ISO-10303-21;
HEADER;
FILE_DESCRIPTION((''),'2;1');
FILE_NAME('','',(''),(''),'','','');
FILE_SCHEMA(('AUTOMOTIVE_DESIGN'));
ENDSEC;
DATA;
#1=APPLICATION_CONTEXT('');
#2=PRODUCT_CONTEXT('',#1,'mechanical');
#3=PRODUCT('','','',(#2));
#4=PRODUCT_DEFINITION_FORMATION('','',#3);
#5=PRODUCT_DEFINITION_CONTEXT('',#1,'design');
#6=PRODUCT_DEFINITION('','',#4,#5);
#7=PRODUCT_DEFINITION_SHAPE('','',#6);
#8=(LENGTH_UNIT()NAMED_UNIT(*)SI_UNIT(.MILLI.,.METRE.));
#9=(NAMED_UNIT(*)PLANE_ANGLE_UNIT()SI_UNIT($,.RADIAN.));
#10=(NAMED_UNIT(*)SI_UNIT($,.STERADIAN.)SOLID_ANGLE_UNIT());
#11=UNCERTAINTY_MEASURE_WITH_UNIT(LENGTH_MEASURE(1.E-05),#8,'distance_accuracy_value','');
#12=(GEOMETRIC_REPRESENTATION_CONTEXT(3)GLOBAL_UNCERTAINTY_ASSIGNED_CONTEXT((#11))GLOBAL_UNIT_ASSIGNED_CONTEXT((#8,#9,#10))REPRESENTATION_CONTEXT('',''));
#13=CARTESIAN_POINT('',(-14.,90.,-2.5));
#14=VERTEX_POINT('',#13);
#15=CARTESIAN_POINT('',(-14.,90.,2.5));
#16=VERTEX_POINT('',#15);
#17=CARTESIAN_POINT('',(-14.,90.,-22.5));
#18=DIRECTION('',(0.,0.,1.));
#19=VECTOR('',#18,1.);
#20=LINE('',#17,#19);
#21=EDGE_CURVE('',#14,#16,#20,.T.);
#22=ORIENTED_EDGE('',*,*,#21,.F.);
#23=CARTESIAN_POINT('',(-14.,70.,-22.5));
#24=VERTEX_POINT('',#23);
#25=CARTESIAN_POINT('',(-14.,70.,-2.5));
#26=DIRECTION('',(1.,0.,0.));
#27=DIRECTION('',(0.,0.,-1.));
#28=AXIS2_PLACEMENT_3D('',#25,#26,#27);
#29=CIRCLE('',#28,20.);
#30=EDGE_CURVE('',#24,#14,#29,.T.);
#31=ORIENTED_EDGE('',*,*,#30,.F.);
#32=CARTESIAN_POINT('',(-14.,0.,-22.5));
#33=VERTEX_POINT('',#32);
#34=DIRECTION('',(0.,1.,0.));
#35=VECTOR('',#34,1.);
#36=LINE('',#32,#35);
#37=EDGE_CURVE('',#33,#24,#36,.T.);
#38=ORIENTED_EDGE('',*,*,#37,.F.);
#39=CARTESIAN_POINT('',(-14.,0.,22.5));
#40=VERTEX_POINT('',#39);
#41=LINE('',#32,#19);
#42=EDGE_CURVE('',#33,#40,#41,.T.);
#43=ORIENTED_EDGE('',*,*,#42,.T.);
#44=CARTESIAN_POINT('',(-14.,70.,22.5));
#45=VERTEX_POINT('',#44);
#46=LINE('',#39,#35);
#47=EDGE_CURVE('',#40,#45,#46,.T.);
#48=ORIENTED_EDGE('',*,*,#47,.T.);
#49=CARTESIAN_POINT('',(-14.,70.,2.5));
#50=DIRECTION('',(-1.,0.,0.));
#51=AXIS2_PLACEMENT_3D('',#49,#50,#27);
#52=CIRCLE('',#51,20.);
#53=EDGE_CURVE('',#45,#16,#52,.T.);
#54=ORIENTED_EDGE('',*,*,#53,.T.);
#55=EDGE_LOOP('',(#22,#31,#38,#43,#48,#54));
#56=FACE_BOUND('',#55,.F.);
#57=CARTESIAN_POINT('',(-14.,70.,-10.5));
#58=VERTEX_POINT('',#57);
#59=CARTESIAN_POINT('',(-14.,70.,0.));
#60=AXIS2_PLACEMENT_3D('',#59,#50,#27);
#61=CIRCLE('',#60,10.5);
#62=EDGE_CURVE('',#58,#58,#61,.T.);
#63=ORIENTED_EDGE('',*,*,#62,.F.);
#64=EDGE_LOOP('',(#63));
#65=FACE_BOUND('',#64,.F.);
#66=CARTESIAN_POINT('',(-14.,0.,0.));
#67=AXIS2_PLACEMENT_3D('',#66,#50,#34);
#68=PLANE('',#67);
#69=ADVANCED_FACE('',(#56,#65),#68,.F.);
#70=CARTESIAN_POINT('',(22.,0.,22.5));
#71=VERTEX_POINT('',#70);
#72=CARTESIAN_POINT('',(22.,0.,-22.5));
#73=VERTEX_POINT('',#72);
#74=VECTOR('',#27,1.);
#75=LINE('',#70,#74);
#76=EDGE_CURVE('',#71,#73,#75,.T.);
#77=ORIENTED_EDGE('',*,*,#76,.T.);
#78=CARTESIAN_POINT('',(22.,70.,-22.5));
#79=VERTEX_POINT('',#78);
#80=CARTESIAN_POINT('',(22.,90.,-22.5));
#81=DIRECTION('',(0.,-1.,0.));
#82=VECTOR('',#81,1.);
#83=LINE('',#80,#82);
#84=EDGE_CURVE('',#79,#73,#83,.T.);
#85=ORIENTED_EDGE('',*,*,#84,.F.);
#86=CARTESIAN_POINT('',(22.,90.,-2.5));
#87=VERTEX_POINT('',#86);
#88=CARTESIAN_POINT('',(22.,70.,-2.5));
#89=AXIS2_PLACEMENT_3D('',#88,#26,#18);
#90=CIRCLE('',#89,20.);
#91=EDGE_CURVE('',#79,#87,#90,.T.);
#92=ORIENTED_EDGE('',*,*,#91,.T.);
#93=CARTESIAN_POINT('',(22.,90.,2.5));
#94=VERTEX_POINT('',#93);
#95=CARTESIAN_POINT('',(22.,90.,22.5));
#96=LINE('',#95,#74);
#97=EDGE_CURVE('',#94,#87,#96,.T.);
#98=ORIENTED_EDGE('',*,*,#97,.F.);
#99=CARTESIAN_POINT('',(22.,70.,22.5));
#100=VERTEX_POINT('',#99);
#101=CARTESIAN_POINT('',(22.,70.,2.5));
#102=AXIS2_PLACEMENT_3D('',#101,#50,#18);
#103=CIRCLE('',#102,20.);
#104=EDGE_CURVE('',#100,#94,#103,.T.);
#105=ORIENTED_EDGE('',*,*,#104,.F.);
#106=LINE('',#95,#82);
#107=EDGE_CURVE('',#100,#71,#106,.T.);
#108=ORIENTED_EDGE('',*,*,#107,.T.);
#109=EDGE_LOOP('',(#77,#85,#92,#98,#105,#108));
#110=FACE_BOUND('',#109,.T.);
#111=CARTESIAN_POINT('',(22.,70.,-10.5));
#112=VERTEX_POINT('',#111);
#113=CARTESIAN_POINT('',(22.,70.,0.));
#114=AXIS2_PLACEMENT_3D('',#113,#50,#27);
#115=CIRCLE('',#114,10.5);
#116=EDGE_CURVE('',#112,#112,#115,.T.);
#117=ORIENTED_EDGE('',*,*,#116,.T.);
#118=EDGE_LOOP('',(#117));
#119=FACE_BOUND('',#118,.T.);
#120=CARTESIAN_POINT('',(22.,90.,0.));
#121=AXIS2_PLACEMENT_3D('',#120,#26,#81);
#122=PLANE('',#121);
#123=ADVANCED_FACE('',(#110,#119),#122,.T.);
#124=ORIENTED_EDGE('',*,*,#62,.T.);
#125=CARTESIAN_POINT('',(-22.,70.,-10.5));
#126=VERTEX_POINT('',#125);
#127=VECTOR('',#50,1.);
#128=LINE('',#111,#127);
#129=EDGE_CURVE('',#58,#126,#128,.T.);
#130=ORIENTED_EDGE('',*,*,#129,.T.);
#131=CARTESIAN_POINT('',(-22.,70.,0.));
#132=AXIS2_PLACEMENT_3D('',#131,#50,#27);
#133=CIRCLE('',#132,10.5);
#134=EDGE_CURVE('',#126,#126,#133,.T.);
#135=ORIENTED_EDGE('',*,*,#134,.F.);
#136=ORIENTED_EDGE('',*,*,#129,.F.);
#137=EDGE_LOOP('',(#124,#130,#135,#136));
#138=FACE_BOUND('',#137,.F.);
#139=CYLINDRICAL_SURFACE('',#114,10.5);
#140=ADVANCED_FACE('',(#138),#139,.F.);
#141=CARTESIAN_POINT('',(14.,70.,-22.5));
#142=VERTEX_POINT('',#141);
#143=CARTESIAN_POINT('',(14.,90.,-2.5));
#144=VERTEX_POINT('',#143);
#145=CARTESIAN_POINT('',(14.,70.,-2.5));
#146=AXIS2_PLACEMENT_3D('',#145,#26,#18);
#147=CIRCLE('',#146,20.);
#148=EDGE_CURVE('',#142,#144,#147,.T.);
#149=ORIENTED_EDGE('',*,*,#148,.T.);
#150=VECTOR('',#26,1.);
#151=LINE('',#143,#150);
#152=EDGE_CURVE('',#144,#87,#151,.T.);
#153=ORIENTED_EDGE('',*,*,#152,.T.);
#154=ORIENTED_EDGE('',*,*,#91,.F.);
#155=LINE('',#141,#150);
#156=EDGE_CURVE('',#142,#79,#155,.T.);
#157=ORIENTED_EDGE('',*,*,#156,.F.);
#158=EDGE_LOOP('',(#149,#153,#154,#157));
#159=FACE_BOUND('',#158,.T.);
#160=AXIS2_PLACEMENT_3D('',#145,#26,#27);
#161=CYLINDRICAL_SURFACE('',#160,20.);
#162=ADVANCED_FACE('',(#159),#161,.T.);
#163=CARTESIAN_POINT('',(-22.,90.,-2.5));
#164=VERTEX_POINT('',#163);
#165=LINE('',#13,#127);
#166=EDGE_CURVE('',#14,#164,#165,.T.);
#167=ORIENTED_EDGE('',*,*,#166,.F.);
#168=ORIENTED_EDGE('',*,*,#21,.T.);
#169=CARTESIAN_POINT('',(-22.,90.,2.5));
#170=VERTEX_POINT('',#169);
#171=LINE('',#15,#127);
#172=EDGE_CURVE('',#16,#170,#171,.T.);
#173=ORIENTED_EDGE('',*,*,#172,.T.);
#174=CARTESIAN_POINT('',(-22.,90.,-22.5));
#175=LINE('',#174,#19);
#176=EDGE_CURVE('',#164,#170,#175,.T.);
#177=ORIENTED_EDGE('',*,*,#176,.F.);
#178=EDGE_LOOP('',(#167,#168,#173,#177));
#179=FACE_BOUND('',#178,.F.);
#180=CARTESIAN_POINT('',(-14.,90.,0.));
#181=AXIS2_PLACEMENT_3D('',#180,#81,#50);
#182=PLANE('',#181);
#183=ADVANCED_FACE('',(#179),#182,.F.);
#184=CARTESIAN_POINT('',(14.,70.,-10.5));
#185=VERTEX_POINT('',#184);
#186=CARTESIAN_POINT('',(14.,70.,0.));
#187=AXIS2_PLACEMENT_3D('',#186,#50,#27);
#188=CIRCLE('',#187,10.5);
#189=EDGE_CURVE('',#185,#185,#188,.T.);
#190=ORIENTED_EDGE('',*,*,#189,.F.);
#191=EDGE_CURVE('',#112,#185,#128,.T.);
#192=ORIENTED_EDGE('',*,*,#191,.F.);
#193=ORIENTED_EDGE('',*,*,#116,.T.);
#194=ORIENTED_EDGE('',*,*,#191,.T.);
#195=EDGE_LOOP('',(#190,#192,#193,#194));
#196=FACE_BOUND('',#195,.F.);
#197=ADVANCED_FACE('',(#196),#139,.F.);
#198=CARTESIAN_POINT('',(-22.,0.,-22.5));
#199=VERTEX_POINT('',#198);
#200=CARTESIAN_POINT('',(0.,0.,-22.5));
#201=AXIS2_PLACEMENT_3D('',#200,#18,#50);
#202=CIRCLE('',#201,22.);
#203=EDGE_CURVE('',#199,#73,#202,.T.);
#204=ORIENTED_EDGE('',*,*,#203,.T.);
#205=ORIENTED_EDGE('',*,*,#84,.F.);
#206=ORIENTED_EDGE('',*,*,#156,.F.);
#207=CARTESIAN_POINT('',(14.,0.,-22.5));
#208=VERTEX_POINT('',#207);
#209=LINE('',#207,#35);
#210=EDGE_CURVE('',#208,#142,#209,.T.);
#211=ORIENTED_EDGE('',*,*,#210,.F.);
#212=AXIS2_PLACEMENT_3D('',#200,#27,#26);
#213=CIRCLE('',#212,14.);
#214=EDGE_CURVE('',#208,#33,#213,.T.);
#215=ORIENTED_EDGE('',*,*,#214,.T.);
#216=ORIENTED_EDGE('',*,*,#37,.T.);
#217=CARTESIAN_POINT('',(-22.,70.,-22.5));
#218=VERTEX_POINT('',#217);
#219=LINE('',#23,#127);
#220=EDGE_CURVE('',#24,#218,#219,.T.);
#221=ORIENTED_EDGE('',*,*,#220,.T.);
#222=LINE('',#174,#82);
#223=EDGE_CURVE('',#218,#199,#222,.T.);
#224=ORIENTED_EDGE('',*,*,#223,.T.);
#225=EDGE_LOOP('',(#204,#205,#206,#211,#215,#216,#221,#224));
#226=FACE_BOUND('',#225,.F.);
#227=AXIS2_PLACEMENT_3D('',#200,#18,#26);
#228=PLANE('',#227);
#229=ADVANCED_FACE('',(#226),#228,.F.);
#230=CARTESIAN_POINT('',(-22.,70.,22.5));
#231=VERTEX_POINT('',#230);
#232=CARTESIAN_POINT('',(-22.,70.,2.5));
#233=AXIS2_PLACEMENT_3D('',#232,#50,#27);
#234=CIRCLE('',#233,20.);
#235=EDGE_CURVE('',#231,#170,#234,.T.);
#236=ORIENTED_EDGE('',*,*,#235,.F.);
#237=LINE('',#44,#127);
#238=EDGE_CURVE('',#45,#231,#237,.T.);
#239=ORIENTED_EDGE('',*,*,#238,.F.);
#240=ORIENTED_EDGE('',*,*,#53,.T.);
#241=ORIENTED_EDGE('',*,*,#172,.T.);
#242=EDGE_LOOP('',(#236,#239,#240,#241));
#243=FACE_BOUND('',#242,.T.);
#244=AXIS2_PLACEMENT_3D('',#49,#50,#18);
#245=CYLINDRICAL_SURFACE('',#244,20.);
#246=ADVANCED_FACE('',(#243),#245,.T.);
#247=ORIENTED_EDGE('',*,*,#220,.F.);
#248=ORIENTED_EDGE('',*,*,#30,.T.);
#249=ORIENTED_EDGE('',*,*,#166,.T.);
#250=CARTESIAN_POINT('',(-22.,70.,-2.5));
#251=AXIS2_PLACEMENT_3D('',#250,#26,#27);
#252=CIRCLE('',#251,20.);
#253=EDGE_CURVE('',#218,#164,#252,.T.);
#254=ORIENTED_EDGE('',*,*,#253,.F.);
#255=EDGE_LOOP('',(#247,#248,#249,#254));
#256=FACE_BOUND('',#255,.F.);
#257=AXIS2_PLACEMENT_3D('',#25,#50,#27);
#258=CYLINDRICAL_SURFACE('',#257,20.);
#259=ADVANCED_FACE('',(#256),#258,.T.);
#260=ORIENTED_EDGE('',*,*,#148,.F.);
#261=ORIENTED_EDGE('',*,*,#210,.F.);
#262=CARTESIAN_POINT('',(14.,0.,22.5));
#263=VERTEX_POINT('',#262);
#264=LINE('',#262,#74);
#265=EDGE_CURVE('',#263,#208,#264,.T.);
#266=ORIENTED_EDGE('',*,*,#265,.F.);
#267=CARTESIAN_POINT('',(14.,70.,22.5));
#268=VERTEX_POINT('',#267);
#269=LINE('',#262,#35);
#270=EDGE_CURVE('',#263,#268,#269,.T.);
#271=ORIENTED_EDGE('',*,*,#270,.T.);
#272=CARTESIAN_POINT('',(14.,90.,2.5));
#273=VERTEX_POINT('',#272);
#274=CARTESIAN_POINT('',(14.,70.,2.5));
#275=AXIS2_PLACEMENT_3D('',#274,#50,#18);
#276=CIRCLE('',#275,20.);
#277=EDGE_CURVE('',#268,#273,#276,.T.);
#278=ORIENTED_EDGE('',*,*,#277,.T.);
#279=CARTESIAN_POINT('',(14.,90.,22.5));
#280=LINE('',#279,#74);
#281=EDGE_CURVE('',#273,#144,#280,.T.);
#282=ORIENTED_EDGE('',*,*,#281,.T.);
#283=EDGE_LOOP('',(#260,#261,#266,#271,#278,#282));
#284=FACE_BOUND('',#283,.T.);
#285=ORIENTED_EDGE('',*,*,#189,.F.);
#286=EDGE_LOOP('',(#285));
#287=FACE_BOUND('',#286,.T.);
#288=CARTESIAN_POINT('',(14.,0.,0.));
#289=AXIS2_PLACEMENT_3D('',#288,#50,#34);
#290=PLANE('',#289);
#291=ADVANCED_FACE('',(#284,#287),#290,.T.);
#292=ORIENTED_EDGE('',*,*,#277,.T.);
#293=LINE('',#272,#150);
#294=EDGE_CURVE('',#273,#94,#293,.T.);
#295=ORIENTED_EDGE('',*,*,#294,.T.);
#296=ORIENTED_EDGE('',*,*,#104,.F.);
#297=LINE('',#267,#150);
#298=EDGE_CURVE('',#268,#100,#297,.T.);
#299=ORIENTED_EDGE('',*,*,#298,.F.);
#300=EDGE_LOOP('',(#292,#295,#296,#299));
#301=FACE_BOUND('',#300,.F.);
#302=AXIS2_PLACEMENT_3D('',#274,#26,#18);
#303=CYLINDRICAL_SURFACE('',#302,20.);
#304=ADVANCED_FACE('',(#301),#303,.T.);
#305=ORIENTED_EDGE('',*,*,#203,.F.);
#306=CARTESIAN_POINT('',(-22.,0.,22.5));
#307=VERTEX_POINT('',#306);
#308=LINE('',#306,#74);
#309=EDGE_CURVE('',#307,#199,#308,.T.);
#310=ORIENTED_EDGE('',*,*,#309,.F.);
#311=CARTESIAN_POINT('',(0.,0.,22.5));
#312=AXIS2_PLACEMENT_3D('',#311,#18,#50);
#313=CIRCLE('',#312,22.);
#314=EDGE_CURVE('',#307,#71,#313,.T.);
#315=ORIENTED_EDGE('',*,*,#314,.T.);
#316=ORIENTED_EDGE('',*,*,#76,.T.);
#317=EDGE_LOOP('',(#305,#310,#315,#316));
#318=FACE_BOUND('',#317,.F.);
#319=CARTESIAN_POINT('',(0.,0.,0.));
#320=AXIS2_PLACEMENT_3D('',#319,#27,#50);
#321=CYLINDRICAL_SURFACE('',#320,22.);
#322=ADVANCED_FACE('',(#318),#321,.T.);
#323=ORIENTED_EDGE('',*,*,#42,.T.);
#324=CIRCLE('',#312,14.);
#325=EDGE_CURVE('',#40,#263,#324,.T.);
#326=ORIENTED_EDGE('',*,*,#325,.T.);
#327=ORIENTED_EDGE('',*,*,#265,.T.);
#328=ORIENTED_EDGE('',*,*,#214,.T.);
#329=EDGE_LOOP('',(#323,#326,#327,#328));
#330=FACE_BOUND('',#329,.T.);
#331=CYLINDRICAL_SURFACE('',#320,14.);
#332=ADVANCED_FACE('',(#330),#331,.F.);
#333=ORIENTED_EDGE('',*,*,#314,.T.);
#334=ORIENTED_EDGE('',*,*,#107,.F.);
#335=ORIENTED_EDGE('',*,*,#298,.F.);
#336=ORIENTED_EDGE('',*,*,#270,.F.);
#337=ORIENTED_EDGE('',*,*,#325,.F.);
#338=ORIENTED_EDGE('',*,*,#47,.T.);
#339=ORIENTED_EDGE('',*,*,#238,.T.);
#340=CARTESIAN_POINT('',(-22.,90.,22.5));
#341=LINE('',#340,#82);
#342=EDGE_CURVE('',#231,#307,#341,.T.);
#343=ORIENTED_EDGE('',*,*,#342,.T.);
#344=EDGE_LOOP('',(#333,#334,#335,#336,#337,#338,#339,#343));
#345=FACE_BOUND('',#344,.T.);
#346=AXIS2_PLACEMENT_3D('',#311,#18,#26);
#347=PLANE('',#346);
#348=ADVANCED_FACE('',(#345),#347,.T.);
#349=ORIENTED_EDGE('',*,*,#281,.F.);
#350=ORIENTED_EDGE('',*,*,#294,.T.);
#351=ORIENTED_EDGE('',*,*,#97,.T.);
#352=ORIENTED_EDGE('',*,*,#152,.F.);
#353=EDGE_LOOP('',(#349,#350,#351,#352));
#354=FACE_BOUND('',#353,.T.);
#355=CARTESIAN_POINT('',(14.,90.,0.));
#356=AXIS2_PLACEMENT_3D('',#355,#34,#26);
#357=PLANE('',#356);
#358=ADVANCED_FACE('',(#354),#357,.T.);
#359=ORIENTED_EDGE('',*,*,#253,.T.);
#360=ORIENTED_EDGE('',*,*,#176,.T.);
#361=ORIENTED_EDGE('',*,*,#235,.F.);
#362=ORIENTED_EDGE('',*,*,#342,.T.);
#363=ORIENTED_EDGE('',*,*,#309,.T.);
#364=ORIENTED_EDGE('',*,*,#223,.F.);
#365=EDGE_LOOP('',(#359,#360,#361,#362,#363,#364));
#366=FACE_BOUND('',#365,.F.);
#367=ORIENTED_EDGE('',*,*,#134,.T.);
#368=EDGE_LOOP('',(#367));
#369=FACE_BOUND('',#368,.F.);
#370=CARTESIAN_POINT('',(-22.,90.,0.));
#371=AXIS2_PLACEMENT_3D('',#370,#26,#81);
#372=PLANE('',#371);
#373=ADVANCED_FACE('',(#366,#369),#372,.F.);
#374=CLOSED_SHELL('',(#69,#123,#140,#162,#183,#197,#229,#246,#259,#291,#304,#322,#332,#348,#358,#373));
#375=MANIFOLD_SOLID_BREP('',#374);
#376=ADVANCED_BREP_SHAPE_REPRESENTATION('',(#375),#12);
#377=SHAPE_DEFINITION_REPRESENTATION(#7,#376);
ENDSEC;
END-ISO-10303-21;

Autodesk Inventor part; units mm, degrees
ref_plane "YZ Plane" through (0, 0, 0) normal (1, 0, 0) x (0, 1, 0)
ref_plane "XZ Plane" through (0, 0, 0) normal (0, 1, 0) x (-1, 0, 0)
ref_plane "XY Plane" through (0, 0, 0) normal (0, 0, 1) x (1, 0, 0)
sketch "Sketch1" plane through (0, 0, 0) normal (0, 0, 1) x (1, 0, 0)
  arc A0 (-14, 0) -> (14, 0) centre (0, 0) ccw
  line L0 (-14, 0) -> (-14, 90)
  line L1 (-14, 90) -> (-22, 90)
  line L2 (-22, 90) -> (-22, 0)
  arc A1 (-22, 0) -> (22, 0) centre (0, 0) ccw
  line L3 (0, 0) -> (0, -14)
  line L4 (14, 0) -> (14, 90)
  line L5 (14, 90) -> (22, 90)
  line L6 (22, 90) -> (22, 0)
  dimension "d0" = 14
  dimension "d1" = 90
  dimension "d2" = 8
extrude "Extrusion1" add sketch "Sketch1" along normal mid plane 45
hole "Hole1" at (22, 70, 0) direction (-1, 0, 0) diameter 21 end through all
fillet "Fillet1" radius 20 4 edges at (18, 90, 22.5) (18, 90, -22.5) (-18, 90, -22.5) (-18, 90, 22.5)
properties part number "Suspension_Clamp_U-Clevis"
